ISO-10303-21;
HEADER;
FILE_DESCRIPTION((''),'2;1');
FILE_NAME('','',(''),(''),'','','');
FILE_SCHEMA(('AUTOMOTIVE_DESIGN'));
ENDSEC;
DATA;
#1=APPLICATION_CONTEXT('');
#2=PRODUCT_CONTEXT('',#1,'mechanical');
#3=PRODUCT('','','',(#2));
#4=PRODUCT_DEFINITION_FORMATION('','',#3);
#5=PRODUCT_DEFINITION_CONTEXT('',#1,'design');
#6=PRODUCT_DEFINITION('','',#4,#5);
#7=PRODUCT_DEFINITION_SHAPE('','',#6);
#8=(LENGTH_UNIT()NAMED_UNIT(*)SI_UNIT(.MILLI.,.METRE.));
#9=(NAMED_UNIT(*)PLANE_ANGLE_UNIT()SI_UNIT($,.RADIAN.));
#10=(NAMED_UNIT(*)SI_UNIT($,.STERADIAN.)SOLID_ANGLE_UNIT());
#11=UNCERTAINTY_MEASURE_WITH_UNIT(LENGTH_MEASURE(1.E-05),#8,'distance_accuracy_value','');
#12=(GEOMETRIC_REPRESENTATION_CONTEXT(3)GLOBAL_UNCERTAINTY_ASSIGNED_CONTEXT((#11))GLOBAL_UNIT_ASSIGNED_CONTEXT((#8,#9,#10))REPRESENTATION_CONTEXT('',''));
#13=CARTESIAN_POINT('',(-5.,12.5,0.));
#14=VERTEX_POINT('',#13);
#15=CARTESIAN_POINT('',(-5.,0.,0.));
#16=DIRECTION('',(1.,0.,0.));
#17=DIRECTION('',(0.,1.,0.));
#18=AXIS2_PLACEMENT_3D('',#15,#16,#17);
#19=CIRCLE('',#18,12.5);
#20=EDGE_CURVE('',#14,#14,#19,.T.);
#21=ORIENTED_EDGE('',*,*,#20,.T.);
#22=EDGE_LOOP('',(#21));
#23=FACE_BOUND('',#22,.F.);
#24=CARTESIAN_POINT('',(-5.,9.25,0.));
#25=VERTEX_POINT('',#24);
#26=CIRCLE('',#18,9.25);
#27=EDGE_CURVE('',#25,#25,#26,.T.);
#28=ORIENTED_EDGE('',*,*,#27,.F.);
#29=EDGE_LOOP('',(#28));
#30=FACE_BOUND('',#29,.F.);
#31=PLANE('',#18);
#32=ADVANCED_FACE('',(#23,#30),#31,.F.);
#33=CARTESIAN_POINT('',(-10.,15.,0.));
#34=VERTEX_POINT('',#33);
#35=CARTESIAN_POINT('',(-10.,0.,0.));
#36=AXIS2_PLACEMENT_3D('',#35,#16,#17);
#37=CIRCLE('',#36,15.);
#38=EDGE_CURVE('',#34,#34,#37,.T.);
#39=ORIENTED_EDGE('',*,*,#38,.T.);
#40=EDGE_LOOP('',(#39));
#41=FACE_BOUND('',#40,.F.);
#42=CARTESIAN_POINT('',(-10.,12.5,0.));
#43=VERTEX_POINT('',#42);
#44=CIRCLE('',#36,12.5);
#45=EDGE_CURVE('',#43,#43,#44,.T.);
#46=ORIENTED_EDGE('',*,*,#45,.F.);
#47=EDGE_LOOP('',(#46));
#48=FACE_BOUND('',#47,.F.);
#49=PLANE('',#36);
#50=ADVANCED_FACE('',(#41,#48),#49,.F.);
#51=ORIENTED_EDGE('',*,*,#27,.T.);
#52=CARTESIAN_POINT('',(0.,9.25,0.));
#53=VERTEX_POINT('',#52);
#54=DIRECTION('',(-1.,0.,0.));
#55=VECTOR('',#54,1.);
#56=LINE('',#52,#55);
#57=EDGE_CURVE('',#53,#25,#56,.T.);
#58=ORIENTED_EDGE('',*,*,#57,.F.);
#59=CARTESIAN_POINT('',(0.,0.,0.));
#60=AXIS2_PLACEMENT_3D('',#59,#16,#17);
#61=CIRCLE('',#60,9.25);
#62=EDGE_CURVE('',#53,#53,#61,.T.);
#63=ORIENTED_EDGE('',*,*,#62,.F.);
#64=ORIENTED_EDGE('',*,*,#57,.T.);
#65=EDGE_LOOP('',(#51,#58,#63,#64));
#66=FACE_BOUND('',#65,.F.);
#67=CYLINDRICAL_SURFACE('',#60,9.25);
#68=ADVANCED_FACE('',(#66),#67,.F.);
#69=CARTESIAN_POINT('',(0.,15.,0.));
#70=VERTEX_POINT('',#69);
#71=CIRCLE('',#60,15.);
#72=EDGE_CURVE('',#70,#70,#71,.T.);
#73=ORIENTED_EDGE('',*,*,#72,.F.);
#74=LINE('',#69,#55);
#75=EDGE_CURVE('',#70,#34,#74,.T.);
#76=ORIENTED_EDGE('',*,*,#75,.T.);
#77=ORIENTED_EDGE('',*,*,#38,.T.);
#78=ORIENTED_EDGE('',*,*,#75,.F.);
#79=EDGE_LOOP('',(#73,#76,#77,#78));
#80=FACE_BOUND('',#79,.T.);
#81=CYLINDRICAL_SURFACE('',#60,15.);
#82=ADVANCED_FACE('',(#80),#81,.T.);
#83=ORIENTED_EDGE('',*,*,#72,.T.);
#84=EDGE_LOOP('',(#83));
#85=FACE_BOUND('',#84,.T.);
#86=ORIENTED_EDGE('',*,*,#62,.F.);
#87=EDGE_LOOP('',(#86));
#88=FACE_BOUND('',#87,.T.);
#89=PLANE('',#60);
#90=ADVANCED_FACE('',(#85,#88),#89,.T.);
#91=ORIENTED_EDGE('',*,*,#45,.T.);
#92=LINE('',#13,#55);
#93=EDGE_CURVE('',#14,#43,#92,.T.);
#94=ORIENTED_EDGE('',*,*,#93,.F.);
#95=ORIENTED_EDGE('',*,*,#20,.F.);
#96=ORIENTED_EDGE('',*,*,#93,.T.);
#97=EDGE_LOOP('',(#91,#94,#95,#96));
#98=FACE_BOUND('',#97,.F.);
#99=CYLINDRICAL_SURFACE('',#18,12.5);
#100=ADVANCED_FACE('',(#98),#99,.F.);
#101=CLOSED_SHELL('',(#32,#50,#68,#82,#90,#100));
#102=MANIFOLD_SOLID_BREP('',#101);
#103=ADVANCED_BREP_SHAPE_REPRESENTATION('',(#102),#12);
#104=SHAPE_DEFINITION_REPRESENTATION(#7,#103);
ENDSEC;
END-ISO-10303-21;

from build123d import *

# Parameters (mm, degrees)
F1_R     = 15
F2_DEPTH = 10
F0_R     = 9.25
F3_DEPTH = 5
F4_R     = 12.5
F5_DEPTH = 25


with BuildPart() as f2:
    # F1 (on Right) → F2 (new body)
    with BuildSketch(Plane.YZ):
        Circle(F1_R)
    extrude(amount=-F2_DEPTH)

    # F0 (on Right) → F3 (cut)
    with BuildSketch(Plane.YZ):
        Circle(F0_R)
    extrude(amount=-F3_DEPTH, mode=Mode.SUBTRACT)

    # F4 (on face) → F5 (cut)
    with BuildSketch(Plane.YZ.offset(-5)):
        Circle(F4_R)
    extrude(amount=-F5_DEPTH, mode=Mode.SUBTRACT)


solid = f2.part
